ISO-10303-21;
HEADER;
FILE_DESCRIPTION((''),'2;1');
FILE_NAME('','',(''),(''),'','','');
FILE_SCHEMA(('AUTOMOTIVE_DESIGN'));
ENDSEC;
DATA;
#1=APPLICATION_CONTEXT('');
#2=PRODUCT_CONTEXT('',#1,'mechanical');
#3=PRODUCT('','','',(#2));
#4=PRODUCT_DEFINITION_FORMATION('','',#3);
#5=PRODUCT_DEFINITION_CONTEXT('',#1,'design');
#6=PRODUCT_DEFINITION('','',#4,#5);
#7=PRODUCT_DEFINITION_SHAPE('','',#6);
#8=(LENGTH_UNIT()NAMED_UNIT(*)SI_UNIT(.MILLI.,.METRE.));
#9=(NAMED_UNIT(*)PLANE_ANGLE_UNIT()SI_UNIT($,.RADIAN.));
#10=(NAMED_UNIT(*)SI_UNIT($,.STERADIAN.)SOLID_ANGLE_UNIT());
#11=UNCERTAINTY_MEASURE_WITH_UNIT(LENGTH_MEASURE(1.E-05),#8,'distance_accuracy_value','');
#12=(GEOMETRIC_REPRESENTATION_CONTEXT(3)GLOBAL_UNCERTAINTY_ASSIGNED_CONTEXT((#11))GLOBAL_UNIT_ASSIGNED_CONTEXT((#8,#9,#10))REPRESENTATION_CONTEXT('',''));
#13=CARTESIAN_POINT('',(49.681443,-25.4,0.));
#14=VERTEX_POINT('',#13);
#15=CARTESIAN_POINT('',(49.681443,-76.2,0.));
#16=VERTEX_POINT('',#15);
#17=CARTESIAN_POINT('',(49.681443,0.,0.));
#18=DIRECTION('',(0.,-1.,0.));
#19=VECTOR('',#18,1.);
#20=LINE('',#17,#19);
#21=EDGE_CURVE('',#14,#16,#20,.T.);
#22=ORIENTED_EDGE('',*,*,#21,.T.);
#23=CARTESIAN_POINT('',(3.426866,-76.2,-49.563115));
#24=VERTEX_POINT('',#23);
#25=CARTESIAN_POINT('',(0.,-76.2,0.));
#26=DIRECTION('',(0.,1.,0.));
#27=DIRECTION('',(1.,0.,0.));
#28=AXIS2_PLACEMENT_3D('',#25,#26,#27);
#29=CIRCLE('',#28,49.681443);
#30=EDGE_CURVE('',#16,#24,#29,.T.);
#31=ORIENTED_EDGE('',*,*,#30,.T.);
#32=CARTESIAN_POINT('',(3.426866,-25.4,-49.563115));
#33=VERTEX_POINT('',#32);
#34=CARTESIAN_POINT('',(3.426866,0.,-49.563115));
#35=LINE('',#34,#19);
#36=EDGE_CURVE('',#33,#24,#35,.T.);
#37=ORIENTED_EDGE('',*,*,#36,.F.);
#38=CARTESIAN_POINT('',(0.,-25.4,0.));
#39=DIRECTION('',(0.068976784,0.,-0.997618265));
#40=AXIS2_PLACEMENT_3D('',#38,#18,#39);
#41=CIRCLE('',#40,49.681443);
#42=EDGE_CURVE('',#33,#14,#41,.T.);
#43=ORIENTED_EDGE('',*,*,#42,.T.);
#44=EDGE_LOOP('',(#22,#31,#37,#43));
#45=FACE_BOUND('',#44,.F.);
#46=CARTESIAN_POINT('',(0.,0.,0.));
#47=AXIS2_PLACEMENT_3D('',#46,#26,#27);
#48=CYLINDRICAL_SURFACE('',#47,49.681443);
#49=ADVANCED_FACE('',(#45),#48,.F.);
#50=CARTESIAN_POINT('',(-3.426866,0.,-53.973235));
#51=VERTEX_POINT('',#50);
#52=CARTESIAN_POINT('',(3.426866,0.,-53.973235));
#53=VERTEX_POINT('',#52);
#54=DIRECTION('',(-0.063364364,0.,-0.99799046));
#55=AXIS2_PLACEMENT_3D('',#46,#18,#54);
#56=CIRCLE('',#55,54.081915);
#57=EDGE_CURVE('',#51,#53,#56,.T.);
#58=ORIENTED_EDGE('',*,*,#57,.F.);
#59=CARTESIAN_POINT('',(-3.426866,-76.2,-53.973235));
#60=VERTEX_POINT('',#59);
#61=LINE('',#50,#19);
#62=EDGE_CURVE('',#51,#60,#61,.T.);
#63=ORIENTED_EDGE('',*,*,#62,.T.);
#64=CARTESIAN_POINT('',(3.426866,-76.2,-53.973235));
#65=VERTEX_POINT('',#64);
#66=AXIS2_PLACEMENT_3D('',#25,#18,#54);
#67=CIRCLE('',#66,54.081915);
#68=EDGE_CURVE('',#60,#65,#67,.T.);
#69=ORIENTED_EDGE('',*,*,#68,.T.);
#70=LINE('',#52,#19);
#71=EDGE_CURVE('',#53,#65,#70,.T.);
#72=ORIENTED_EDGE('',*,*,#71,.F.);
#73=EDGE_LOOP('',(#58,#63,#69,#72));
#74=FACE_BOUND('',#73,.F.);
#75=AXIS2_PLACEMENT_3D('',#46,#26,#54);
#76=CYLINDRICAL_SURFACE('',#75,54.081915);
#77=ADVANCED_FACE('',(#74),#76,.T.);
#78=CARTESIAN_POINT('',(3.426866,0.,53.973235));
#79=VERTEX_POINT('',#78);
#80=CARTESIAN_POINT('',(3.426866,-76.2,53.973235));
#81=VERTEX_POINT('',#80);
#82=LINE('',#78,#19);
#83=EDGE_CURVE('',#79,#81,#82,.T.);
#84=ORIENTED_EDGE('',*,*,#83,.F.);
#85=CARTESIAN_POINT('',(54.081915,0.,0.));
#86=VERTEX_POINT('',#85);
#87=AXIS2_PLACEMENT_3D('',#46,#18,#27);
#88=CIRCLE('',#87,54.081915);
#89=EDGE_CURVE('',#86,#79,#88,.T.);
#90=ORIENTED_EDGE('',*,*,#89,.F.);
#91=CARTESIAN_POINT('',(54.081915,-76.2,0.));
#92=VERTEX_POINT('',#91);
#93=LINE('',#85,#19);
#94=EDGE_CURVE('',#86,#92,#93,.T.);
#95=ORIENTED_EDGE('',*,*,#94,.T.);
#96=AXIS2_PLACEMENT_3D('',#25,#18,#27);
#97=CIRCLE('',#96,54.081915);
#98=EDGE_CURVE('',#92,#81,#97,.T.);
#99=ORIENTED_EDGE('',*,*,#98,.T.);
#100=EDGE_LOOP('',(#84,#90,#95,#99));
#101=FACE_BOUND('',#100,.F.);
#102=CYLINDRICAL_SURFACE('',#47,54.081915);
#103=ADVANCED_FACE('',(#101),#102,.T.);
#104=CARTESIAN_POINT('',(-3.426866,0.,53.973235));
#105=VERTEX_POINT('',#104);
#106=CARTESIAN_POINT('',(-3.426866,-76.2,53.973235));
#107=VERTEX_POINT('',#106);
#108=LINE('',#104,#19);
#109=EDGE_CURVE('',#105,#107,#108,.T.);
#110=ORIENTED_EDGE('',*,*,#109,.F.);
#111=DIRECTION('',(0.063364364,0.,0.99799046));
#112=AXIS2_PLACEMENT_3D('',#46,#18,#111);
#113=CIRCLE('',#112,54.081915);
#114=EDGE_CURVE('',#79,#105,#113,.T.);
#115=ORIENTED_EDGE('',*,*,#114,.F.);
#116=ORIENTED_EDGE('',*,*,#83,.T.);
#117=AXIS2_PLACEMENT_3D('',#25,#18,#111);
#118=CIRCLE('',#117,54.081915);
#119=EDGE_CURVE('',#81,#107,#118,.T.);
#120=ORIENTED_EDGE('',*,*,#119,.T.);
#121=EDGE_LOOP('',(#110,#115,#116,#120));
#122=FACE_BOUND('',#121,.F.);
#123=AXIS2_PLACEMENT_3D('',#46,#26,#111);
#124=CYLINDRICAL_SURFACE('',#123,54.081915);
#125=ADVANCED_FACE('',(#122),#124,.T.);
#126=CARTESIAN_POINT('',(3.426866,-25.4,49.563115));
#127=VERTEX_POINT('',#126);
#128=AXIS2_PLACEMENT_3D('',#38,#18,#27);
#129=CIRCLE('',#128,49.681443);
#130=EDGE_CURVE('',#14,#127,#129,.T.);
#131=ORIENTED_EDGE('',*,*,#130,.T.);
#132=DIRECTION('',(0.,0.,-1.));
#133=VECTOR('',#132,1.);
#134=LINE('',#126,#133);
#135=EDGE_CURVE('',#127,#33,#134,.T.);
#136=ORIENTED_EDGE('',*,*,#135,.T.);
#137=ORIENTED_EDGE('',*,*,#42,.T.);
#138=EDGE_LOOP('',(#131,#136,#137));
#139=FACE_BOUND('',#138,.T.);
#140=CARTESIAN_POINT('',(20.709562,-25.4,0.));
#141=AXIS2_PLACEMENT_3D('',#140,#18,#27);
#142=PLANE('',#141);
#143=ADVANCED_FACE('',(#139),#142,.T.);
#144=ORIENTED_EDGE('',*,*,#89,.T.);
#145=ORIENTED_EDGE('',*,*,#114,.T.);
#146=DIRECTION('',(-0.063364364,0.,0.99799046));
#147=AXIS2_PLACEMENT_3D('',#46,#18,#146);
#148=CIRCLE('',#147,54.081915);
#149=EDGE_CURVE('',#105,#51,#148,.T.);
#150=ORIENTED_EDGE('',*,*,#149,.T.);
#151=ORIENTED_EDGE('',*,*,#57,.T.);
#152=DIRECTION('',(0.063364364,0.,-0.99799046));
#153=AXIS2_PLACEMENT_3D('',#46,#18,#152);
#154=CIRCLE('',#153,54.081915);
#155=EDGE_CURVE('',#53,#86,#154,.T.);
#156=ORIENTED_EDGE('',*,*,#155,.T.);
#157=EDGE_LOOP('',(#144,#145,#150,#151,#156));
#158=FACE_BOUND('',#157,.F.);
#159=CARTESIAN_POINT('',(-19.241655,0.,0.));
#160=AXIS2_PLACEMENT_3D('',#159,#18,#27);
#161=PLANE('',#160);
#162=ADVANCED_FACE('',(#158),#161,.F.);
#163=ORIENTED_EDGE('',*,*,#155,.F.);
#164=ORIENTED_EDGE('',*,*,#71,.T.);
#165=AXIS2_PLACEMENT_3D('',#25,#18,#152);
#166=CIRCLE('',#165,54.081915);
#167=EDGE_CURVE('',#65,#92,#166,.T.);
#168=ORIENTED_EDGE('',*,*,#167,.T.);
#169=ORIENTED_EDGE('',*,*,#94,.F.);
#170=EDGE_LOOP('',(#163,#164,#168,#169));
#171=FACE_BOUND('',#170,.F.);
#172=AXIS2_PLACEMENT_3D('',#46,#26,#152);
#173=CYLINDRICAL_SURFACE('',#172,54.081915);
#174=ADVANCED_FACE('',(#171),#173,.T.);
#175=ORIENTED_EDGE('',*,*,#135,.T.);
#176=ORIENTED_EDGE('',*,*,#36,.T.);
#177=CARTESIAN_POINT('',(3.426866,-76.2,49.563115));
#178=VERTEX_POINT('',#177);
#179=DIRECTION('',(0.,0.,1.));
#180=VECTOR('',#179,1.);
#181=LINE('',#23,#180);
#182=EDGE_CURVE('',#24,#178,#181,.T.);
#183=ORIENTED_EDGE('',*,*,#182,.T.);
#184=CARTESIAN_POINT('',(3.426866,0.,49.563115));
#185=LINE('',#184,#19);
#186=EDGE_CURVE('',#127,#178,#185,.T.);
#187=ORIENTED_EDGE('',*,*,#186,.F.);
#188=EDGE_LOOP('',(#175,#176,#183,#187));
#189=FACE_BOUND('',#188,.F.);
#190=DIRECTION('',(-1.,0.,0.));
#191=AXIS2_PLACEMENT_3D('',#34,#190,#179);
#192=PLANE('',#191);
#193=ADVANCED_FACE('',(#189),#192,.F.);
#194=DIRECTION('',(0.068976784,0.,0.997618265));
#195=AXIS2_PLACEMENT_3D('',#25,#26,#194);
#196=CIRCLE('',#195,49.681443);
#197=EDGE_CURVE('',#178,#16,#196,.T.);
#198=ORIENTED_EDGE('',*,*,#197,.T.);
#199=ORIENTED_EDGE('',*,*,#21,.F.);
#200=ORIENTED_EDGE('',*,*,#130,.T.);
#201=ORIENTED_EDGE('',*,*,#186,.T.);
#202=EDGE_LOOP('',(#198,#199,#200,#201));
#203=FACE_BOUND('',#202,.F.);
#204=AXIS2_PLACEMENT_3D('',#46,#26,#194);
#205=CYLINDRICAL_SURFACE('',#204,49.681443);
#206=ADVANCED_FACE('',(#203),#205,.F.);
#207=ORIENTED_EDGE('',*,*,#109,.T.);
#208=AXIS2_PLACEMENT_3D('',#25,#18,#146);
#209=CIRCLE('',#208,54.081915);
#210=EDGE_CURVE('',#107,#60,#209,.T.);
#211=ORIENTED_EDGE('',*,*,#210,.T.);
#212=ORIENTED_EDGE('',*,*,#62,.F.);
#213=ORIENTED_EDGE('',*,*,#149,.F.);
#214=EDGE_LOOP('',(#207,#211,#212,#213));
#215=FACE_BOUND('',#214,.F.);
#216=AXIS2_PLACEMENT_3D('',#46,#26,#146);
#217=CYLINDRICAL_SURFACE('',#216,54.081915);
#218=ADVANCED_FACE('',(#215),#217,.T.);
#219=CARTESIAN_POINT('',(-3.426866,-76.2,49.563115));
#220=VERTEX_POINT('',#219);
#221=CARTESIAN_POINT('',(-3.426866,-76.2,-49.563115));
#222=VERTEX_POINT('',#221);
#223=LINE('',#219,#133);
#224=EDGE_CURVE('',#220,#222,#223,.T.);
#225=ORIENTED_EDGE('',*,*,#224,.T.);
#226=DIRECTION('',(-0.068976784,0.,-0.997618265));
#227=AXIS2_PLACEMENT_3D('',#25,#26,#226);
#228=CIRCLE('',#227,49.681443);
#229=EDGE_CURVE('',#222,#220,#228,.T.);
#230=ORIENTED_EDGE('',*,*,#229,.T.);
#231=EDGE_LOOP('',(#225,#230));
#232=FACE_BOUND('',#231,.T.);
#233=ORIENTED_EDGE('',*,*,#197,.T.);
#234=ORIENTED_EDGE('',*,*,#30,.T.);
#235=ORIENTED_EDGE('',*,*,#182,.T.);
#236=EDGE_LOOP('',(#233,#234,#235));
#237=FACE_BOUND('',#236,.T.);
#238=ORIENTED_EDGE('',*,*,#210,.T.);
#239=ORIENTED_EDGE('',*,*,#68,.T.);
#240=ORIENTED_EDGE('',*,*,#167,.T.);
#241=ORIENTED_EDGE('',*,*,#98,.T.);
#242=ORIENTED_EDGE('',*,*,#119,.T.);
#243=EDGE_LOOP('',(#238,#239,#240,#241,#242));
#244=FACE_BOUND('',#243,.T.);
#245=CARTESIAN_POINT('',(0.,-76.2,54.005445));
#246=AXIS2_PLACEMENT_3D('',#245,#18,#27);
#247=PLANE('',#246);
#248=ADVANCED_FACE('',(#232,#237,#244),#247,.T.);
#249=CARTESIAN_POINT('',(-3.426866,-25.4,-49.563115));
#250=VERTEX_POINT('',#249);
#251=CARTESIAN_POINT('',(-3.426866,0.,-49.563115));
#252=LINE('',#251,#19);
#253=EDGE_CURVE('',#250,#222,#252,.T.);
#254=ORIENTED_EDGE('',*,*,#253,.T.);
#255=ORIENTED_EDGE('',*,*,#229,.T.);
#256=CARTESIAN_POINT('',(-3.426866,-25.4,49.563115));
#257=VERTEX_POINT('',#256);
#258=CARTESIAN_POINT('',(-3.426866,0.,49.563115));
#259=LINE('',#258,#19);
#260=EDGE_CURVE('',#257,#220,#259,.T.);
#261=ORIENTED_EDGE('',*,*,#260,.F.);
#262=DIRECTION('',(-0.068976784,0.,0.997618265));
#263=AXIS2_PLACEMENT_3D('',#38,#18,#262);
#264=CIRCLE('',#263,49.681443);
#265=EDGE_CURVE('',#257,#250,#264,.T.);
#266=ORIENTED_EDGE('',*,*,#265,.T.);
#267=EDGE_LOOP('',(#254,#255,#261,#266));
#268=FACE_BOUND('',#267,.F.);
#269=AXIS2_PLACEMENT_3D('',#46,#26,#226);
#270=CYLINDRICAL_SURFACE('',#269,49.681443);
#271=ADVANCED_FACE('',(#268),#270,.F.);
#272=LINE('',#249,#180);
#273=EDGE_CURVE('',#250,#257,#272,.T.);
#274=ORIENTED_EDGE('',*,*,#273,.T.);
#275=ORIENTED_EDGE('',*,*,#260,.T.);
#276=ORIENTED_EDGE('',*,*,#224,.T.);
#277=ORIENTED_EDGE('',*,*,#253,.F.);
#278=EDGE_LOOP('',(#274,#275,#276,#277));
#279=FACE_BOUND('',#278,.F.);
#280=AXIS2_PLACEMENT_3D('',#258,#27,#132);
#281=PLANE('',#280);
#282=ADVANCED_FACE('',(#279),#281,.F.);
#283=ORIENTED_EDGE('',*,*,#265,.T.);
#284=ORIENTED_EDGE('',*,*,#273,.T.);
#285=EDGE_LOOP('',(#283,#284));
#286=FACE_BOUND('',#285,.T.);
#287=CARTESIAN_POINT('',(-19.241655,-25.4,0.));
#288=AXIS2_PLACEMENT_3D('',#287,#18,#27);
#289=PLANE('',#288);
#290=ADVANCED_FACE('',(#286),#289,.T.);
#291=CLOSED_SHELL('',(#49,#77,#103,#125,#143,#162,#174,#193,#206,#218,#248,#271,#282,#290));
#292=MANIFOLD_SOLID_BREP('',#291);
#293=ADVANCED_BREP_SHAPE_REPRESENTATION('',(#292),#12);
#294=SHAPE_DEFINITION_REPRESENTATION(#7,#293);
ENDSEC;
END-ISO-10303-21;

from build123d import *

# Parameters (mm, degrees)
F1_DEPTH = 76.2
F2_DEPTH = 25.4


with BuildPart() as f1:
    # F0 (on Front) → F1 (new body)
    with BuildSketch(Plane.XZ):
        with BuildLine():
            ThreePointArc((3.4268661402, 53.9732351899), (0, 54.0819149847), (-3.4268661402, 53.9732351899))
            Line((-3.4268661402, 53.9732351899), (3.4268661402, 53.9732351899))
        make_face()
        with BuildLine():
            Line((3.4268661402, -53.9732351899), (-3.4268661402, -53.9732351899))
            ThreePointArc((-3.4268661402, -53.9732351899), (0, -54.0819149847), (3.4268661402, -53.9732351899))
        make_face()
        with BuildLine():
            ThreePointArc((54.0819149847, 0), (39.4346612238, 37.01028266), (3.4268661402, 53.9732351899))
            Line((3.4268661402, 53.9732351899), (3.4268661402, 49.5631147535))
            ThreePointArc((3.4268661402, 49.5631147535), (36.3214634179, 33.8968590108), (49.681442769, 0))
            ThreePointArc((49.681442769, 0), (36.3214634179, -33.8968590108), (3.4268661402, -49.5631147535))
            Line((3.4268661402, -49.5631147535), (3.4268661402, -53.9732351899))
            ThreePointArc((3.4268661402, -53.9732351899), (39.4346612238, -37.01028266), (54.0819149847, 0))
        make_face()
        with BuildLine():
            Line((3.4268661402, 53.9732351899), (-3.4268661402, 53.9732351899))
            Line((-3.4268661402, 53.9732351899), (-3.4268661402, 49.5631147535))
            ThreePointArc((-3.4268661402, 49.5631147535), (0, 49.681442769), (3.4268661402, 49.5631147535))
            Line((3.4268661402, 49.5631147535), (3.4268661402, 53.9732351899))
        make_face()
        with BuildLine():
            Line((-3.4268661402, -49.5631147535), (-3.4268661402, -53.9732351899))
            Line((-3.4268661402, -53.9732351899), (3.4268661402, -53.9732351899))
            Line((3.4268661402, -53.9732351899), (3.4268661402, -49.5631147535))
            ThreePointArc((3.4268661402, -49.5631147535), (0, -49.681442769), (-3.4268661402, -49.5631147535))
        make_face()
        with BuildLine():
            Line((-3.4268661402, 49.5631147535), (-3.4268661402, 53.9732351899))
            ThreePointArc((-3.4268661402, 53.9732351899), (-54.0819149847, 0), (-3.4268661402, -53.9732351899))
            Line((-3.4268661402, -53.9732351899), (-3.4268661402, -49.5631147535))
            ThreePointArc((-3.4268661402, -49.5631147535), (-49.681442769, 0), (-3.4268661402, 49.5631147535))
        make_face()
        with BuildLine():
            ThreePointArc((3.4268661402, 49.5631147535), (0, 49.681442769), (-3.4268661402, 49.5631147535))
            Line((-3.4268661402, 49.5631147535), (-3.4268661402, -49.5631147535))
            ThreePointArc((-3.4268661402, -49.5631147535), (0, -49.681442769), (3.4268661402, -49.5631147535))
            Line((3.4268661402, -49.5631147535), (3.4268661402, 49.5631147535))
        make_face()
    extrude(amount=F1_DEPTH)

    # F0 (on Front) → F2 (join)
    with BuildSketch(Plane.XZ):
        with BuildLine():
            Line((-3.4268661402, -49.5631147535), (-3.4268661402, 49.5631147535))
            ThreePointArc((-3.4268661402, 49.5631147535), (-49.681442769, 0), (-3.4268661402, -49.5631147535))
        make_face()
        with BuildLine():
            ThreePointArc((49.681442769, 0), (36.3214634179, 33.8968590108), (3.4268661402, 49.5631147535))
            Line((3.4268661402, 49.5631147535), (3.4268661402, -49.5631147535))
            ThreePointArc((3.4268661402, -49.5631147535), (36.3214634179, -33.8968590108), (49.681442769, 0))
        make_face()
    extrude(amount=F2_DEPTH)


solid = f1.part
